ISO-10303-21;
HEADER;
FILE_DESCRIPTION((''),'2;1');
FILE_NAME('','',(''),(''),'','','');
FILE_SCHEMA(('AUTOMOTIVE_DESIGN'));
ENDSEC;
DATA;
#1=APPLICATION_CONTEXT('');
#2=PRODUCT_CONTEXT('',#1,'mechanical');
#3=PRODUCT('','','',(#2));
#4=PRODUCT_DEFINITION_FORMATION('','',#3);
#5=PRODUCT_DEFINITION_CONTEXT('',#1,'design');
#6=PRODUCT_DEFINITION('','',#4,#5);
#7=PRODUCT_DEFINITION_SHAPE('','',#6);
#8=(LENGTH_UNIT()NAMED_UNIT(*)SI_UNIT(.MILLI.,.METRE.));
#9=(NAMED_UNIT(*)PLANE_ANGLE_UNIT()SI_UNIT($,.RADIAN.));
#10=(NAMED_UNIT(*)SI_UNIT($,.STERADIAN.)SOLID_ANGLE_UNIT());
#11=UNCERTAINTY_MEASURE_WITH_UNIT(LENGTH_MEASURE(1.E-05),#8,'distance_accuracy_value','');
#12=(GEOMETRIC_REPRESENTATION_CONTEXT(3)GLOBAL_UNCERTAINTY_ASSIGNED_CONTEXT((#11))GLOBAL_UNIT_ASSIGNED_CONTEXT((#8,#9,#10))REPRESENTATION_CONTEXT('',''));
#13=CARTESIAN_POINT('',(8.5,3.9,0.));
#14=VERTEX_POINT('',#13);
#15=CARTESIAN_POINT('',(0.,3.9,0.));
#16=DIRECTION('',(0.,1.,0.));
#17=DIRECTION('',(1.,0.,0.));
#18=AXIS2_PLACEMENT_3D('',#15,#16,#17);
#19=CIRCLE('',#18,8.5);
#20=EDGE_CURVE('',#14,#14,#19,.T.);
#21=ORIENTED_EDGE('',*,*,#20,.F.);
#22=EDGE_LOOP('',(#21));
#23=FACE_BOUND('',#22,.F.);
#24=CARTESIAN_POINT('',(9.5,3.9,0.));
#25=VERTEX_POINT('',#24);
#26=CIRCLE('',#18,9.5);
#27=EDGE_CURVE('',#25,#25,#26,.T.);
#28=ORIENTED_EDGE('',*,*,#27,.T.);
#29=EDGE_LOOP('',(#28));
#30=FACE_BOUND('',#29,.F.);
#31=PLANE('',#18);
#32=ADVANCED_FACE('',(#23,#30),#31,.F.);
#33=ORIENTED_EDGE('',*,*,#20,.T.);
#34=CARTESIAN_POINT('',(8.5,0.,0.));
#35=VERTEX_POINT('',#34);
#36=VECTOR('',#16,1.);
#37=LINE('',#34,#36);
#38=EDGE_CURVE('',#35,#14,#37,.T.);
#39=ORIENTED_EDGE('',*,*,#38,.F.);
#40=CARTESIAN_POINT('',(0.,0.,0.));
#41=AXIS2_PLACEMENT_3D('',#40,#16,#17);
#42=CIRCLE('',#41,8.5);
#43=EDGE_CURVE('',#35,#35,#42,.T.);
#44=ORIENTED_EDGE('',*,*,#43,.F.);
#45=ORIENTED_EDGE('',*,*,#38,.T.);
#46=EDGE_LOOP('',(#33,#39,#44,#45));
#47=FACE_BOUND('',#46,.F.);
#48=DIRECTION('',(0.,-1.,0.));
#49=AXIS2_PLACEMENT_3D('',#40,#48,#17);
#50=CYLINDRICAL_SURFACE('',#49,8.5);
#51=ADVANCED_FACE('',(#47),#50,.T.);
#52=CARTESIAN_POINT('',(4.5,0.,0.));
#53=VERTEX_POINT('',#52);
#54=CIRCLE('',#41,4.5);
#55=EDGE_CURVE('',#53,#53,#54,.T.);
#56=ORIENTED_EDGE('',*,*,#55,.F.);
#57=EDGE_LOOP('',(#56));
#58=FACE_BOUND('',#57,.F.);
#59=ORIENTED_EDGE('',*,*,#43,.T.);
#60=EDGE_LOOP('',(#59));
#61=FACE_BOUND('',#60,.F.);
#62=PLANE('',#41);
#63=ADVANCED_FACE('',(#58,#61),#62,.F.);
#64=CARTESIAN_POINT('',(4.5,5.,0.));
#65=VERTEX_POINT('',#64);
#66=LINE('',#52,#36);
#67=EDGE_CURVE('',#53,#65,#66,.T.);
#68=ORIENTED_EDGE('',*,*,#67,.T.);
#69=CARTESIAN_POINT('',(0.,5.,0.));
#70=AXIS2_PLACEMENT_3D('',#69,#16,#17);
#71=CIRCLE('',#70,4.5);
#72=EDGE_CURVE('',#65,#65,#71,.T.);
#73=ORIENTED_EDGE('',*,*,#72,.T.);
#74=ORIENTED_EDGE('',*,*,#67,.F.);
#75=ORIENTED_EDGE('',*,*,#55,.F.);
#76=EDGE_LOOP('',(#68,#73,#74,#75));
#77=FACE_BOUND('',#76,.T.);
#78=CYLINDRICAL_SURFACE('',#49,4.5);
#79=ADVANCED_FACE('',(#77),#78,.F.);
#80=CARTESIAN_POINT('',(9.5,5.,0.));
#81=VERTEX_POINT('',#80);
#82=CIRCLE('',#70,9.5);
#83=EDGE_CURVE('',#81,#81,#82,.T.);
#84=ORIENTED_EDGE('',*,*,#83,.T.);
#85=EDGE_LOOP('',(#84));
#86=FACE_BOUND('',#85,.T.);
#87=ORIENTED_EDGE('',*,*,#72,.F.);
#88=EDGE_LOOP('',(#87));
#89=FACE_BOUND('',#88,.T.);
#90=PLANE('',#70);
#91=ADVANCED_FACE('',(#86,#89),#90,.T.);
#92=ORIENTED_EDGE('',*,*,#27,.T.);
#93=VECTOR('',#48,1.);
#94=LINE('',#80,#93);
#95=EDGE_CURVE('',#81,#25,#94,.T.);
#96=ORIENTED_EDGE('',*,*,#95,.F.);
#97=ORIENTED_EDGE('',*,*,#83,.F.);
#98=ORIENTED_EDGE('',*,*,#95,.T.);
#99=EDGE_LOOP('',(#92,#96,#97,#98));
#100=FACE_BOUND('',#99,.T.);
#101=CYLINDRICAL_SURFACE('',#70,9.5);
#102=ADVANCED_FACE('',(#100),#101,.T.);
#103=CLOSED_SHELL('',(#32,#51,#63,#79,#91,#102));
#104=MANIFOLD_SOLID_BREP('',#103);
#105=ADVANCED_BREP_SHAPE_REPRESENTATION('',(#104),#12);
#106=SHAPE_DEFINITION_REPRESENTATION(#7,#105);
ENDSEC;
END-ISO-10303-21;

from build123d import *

# Parameters (mm, degrees)
SKETCH2_R           = 8.5
SKETCH2_R_2         = 4.5
BOSS_EXTRUDE1_DEPTH = 5
SKETCH3_R           = 9.5
SKETCH3_R_2         = 8.5
BOSS_EXTRUDE2_DEPTH = 1.1


with BuildPart() as part:
    # Sketch2 → Boss-Extrude1 (new body)
    with BuildSketch(Plane(origin=(0, 0, 0), x_dir=(1, 0, 0), z_dir=(0, 1, 0))):
        Circle(SKETCH2_R)
        Circle(SKETCH2_R_2, mode=Mode.SUBTRACT)
    extrude(amount=BOSS_EXTRUDE1_DEPTH)

    # Sketch3 → Boss-Extrude2 (add)
    with BuildSketch(Plane(origin=(0, 5, 0), x_dir=(1, 0, 0), z_dir=(0, 1, 0))):
        Circle(SKETCH3_R)
        Circle(SKETCH3_R_2, mode=Mode.SUBTRACT)
    extrude(amount=-BOSS_EXTRUDE2_DEPTH)


solid = part.part
